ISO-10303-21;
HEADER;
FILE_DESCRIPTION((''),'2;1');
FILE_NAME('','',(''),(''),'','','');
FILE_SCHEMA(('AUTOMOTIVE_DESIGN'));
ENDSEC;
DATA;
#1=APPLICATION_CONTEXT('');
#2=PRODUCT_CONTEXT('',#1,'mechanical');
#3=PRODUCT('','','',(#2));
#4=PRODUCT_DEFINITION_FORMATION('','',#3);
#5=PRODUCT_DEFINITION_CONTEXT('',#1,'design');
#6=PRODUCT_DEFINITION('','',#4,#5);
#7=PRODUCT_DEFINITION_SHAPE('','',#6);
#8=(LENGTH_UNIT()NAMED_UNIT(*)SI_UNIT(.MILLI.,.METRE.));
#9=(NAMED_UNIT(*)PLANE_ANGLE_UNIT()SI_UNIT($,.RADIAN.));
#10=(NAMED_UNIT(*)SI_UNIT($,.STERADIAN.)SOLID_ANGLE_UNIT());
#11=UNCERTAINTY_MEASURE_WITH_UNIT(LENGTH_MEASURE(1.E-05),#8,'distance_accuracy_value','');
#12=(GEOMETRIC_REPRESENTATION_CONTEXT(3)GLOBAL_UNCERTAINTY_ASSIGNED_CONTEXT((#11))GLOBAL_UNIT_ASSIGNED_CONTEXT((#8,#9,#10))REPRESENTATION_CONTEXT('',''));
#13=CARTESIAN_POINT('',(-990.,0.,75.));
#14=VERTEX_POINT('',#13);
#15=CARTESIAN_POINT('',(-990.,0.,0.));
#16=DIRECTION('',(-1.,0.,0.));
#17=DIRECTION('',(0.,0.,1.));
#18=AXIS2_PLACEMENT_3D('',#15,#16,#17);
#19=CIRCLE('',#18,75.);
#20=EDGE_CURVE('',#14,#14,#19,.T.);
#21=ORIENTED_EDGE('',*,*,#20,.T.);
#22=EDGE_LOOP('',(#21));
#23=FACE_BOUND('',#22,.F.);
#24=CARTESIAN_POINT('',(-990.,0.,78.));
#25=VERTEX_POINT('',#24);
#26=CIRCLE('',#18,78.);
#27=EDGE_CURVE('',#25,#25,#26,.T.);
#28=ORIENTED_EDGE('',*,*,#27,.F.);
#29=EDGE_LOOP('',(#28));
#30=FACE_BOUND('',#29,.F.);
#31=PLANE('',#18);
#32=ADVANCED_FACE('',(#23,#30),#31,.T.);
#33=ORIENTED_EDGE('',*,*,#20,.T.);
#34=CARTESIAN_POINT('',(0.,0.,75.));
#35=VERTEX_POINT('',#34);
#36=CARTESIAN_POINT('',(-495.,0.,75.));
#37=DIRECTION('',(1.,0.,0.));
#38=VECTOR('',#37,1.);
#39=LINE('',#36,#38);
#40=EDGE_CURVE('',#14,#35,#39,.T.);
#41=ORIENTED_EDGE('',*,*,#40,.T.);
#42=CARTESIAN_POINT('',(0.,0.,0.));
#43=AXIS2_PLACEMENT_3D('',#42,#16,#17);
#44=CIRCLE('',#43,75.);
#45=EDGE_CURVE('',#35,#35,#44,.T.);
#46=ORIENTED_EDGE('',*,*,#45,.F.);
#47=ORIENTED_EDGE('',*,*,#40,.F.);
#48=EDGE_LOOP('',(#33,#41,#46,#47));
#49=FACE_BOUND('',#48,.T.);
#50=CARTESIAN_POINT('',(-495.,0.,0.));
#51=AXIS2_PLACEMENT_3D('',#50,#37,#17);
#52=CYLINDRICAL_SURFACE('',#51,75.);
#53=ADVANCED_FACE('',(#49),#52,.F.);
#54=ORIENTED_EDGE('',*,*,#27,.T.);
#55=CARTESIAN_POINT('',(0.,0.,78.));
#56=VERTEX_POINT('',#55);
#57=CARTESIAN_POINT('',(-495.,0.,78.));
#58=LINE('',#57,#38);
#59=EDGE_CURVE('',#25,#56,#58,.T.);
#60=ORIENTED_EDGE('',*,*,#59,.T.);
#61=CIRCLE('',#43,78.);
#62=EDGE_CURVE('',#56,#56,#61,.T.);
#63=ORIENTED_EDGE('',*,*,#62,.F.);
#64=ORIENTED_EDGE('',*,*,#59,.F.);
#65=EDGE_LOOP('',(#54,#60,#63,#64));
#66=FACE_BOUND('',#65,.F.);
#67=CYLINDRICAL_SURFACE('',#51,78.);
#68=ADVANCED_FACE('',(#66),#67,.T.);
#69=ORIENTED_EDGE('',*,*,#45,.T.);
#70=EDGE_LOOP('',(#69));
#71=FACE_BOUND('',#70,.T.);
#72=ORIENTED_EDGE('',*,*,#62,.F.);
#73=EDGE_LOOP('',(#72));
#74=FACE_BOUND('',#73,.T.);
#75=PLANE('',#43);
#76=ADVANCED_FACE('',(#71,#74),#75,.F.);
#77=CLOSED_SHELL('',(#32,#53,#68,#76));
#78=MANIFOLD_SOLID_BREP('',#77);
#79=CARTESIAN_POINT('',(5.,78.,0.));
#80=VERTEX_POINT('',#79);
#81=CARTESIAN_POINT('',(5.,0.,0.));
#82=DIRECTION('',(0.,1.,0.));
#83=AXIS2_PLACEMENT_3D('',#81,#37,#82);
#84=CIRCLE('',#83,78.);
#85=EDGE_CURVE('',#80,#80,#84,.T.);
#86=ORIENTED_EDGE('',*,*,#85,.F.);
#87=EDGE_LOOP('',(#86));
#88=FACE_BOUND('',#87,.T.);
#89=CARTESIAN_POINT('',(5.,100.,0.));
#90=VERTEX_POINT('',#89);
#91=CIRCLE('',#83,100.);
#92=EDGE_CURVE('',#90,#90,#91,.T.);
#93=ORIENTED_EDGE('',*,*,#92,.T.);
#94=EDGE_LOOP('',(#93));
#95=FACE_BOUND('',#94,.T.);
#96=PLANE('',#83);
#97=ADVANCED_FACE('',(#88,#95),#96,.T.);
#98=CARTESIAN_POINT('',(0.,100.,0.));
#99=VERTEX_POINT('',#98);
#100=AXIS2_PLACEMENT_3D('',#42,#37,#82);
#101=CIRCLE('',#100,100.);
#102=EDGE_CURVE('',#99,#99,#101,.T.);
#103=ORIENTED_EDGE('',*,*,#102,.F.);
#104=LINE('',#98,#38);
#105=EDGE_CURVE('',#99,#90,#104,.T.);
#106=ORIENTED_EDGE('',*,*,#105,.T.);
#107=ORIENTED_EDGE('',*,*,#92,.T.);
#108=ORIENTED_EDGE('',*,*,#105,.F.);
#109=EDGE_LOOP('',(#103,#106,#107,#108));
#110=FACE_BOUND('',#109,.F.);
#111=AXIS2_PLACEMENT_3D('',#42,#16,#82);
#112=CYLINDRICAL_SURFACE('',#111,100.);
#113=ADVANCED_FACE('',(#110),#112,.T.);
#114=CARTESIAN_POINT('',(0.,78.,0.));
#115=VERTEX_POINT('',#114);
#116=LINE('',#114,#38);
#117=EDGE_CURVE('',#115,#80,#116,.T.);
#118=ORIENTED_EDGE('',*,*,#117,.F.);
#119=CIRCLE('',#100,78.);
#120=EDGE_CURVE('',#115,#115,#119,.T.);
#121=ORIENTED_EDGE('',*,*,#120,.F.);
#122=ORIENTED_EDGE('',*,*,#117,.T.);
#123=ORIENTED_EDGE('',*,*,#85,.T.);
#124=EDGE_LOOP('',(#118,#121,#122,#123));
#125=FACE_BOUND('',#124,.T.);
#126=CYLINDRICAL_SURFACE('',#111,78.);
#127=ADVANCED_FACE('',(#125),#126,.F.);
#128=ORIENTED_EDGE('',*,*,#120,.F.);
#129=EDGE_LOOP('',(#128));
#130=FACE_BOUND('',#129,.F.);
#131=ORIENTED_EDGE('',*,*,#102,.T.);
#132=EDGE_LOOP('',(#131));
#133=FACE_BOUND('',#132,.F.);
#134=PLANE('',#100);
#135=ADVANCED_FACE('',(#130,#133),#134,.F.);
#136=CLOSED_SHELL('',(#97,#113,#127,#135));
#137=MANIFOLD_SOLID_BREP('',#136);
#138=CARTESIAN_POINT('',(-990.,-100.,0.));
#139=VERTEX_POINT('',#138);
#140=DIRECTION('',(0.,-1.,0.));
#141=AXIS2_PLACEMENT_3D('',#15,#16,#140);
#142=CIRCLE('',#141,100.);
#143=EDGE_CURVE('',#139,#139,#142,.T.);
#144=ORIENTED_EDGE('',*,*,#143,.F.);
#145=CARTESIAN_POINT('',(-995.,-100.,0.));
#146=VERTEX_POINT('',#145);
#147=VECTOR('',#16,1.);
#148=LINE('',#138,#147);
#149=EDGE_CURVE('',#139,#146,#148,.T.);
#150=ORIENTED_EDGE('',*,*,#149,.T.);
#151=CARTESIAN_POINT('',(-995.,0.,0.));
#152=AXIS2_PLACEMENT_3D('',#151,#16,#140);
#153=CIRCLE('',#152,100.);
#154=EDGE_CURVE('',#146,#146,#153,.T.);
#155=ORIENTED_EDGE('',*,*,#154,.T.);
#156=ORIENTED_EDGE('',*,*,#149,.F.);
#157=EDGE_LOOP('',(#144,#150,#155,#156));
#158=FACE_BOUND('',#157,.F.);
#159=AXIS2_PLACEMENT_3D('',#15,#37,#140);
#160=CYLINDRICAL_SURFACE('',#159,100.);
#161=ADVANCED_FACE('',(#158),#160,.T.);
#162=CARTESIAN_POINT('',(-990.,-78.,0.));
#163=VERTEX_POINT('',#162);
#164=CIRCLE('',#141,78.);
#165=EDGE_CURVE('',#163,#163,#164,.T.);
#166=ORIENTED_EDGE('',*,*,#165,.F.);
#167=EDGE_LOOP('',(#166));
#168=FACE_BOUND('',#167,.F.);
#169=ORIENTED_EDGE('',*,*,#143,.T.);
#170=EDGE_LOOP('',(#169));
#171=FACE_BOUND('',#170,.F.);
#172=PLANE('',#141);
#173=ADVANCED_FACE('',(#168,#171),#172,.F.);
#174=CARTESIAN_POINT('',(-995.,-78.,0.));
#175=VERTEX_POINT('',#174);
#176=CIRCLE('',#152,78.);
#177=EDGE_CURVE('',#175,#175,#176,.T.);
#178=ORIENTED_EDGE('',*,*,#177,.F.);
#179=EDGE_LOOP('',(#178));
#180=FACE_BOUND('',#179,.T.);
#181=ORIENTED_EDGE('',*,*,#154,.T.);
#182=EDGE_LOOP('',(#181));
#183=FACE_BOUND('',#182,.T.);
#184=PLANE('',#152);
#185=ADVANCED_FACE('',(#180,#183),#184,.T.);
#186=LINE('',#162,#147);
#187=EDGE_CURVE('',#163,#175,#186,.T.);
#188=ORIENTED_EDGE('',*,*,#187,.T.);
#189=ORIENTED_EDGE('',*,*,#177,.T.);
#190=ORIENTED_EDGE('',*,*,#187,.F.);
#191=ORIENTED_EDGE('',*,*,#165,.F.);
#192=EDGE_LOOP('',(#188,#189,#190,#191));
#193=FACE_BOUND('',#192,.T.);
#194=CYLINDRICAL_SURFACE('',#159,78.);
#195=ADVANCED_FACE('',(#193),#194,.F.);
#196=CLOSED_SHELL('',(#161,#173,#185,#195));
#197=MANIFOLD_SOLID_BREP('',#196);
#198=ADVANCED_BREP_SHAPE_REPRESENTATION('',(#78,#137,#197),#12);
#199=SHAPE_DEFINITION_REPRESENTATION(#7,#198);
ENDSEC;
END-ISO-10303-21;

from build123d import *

# Parameters (mm, degrees)
F0_W     = 990
F0_H     = 3
F2_R     = 100
F2_R_2   = 78
F3_DEPTH = 5
F4_R     = 100
F4_R_2   = 78
F5_DEPTH = 5


with BuildPart() as f1:
    # F0 (on Front) → F1 (revolve)
    with BuildSketch(Plane.XZ):
        with Locations((-495, 76.5)):
            Rectangle(F0_W, F0_H)
    revolve(axis=Axis((-495, 0, 0), (-1, 0, 0)))


with BuildPart() as f3:
    # F2 (on face) → F3 (new body)
    with BuildSketch(Plane(origin=(-990, 0, 0), x_dir=(0, -1, 0), z_dir=(-1, 0, 0))):
        Circle(F2_R)
        Circle(F2_R_2, mode=Mode.SUBTRACT)
    extrude(amount=F3_DEPTH)


with BuildPart() as f5:
    # F4 (on face) → F5 (new body)
    with BuildSketch(Plane.YZ):
        Circle(F4_R)
        Circle(F4_R_2, mode=Mode.SUBTRACT)
    extrude(amount=F5_DEPTH)


solid = Compound([f1.part, f3.part, f5.part])
